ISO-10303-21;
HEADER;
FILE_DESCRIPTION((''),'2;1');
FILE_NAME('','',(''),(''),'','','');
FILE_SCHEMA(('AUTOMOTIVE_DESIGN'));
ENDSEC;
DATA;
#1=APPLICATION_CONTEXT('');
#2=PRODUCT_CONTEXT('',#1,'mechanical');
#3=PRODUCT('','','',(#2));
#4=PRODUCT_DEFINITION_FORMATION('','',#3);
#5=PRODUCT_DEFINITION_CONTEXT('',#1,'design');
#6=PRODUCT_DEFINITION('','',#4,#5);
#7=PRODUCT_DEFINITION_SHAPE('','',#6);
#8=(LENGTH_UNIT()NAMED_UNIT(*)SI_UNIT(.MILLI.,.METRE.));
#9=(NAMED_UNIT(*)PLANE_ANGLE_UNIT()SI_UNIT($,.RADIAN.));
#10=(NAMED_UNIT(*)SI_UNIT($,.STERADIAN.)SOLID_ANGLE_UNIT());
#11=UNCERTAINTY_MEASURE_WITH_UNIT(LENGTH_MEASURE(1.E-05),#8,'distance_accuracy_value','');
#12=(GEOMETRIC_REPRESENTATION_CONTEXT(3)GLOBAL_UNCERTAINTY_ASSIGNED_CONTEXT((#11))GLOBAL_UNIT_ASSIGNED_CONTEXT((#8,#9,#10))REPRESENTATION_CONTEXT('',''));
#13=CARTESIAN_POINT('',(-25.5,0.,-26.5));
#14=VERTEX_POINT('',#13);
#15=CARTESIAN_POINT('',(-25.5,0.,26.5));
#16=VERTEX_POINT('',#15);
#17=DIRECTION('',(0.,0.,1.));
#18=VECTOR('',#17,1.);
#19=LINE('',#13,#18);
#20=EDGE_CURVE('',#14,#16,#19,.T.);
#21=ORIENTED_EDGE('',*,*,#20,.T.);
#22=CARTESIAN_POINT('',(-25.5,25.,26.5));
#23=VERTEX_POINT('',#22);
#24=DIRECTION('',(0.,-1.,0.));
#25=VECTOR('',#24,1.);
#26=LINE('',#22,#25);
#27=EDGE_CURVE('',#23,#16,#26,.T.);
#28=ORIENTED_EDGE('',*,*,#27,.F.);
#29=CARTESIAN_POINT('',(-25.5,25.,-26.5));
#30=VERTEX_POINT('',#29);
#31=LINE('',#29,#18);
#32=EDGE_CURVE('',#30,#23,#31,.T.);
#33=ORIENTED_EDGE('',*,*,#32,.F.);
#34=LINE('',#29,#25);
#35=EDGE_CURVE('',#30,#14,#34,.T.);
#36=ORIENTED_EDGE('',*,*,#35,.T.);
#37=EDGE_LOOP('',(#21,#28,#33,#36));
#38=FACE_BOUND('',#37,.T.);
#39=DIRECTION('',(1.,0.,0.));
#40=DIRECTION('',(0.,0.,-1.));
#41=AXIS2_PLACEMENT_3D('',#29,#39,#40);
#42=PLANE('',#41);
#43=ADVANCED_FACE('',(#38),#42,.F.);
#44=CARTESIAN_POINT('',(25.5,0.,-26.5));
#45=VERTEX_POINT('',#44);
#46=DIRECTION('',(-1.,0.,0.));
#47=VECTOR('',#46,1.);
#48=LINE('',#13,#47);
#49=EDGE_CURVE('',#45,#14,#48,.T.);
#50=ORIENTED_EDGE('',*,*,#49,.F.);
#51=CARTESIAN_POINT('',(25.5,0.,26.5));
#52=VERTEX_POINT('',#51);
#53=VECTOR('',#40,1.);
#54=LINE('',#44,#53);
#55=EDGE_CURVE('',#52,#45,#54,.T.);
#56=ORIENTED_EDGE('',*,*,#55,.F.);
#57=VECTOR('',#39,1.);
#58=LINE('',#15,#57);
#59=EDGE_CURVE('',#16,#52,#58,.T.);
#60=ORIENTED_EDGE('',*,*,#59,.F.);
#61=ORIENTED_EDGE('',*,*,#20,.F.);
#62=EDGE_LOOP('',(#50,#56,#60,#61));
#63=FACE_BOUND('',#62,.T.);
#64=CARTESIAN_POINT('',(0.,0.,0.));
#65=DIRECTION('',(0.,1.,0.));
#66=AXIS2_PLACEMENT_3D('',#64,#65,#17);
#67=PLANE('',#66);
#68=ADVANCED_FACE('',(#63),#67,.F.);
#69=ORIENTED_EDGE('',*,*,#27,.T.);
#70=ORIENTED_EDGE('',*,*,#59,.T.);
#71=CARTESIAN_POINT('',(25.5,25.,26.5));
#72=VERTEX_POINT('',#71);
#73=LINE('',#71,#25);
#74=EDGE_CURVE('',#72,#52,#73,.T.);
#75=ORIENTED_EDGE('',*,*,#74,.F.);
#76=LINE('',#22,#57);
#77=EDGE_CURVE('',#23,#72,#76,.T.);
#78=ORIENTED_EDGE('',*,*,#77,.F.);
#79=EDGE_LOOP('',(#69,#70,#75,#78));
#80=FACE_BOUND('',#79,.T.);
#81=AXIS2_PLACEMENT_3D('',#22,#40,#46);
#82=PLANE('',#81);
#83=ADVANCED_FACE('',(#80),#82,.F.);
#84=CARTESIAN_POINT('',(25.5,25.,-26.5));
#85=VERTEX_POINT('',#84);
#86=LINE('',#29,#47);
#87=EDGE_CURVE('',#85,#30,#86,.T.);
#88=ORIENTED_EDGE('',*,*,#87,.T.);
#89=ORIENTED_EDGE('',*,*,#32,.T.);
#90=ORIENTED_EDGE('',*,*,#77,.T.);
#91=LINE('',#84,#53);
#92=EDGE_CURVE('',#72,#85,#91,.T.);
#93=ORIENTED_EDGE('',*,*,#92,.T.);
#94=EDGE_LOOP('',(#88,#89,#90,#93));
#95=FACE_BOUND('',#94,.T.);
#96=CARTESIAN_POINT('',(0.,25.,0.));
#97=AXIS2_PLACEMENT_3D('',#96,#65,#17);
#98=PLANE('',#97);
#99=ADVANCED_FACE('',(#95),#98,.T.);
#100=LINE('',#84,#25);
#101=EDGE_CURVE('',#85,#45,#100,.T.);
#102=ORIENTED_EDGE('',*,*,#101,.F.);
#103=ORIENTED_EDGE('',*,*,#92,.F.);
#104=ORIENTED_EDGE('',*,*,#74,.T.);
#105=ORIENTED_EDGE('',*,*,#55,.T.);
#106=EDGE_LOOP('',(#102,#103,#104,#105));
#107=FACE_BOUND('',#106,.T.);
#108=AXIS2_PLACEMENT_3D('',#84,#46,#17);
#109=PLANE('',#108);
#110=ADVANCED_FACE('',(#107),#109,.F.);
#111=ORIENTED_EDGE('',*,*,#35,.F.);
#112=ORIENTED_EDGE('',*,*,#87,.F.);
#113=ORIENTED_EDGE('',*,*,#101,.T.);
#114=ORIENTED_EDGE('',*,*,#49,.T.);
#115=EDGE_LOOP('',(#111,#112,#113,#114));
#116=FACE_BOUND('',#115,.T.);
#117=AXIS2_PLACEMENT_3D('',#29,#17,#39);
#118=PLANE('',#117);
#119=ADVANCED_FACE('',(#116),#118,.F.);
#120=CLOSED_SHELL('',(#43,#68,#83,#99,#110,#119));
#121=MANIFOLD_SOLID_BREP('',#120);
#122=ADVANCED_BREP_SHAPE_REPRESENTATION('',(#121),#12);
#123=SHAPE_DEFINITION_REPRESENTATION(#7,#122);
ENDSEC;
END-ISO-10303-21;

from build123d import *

# Parameters (mm, degrees)
ESQUISSE1_W        = 51
ESQUISSE1_H        = 53
BOSS_EXTRU_1_DEPTH = 25


with BuildPart() as part:
    # Esquisse1 → Boss.-Extru.1 (new body)
    with BuildSketch(Plane(origin=(0, 0, 0), x_dir=(1, 0, 0), z_dir=(0, 1, 0))):
        Rectangle(ESQUISSE1_W, ESQUISSE1_H)
    extrude(amount=BOSS_EXTRU_1_DEPTH)


solid = part.part
